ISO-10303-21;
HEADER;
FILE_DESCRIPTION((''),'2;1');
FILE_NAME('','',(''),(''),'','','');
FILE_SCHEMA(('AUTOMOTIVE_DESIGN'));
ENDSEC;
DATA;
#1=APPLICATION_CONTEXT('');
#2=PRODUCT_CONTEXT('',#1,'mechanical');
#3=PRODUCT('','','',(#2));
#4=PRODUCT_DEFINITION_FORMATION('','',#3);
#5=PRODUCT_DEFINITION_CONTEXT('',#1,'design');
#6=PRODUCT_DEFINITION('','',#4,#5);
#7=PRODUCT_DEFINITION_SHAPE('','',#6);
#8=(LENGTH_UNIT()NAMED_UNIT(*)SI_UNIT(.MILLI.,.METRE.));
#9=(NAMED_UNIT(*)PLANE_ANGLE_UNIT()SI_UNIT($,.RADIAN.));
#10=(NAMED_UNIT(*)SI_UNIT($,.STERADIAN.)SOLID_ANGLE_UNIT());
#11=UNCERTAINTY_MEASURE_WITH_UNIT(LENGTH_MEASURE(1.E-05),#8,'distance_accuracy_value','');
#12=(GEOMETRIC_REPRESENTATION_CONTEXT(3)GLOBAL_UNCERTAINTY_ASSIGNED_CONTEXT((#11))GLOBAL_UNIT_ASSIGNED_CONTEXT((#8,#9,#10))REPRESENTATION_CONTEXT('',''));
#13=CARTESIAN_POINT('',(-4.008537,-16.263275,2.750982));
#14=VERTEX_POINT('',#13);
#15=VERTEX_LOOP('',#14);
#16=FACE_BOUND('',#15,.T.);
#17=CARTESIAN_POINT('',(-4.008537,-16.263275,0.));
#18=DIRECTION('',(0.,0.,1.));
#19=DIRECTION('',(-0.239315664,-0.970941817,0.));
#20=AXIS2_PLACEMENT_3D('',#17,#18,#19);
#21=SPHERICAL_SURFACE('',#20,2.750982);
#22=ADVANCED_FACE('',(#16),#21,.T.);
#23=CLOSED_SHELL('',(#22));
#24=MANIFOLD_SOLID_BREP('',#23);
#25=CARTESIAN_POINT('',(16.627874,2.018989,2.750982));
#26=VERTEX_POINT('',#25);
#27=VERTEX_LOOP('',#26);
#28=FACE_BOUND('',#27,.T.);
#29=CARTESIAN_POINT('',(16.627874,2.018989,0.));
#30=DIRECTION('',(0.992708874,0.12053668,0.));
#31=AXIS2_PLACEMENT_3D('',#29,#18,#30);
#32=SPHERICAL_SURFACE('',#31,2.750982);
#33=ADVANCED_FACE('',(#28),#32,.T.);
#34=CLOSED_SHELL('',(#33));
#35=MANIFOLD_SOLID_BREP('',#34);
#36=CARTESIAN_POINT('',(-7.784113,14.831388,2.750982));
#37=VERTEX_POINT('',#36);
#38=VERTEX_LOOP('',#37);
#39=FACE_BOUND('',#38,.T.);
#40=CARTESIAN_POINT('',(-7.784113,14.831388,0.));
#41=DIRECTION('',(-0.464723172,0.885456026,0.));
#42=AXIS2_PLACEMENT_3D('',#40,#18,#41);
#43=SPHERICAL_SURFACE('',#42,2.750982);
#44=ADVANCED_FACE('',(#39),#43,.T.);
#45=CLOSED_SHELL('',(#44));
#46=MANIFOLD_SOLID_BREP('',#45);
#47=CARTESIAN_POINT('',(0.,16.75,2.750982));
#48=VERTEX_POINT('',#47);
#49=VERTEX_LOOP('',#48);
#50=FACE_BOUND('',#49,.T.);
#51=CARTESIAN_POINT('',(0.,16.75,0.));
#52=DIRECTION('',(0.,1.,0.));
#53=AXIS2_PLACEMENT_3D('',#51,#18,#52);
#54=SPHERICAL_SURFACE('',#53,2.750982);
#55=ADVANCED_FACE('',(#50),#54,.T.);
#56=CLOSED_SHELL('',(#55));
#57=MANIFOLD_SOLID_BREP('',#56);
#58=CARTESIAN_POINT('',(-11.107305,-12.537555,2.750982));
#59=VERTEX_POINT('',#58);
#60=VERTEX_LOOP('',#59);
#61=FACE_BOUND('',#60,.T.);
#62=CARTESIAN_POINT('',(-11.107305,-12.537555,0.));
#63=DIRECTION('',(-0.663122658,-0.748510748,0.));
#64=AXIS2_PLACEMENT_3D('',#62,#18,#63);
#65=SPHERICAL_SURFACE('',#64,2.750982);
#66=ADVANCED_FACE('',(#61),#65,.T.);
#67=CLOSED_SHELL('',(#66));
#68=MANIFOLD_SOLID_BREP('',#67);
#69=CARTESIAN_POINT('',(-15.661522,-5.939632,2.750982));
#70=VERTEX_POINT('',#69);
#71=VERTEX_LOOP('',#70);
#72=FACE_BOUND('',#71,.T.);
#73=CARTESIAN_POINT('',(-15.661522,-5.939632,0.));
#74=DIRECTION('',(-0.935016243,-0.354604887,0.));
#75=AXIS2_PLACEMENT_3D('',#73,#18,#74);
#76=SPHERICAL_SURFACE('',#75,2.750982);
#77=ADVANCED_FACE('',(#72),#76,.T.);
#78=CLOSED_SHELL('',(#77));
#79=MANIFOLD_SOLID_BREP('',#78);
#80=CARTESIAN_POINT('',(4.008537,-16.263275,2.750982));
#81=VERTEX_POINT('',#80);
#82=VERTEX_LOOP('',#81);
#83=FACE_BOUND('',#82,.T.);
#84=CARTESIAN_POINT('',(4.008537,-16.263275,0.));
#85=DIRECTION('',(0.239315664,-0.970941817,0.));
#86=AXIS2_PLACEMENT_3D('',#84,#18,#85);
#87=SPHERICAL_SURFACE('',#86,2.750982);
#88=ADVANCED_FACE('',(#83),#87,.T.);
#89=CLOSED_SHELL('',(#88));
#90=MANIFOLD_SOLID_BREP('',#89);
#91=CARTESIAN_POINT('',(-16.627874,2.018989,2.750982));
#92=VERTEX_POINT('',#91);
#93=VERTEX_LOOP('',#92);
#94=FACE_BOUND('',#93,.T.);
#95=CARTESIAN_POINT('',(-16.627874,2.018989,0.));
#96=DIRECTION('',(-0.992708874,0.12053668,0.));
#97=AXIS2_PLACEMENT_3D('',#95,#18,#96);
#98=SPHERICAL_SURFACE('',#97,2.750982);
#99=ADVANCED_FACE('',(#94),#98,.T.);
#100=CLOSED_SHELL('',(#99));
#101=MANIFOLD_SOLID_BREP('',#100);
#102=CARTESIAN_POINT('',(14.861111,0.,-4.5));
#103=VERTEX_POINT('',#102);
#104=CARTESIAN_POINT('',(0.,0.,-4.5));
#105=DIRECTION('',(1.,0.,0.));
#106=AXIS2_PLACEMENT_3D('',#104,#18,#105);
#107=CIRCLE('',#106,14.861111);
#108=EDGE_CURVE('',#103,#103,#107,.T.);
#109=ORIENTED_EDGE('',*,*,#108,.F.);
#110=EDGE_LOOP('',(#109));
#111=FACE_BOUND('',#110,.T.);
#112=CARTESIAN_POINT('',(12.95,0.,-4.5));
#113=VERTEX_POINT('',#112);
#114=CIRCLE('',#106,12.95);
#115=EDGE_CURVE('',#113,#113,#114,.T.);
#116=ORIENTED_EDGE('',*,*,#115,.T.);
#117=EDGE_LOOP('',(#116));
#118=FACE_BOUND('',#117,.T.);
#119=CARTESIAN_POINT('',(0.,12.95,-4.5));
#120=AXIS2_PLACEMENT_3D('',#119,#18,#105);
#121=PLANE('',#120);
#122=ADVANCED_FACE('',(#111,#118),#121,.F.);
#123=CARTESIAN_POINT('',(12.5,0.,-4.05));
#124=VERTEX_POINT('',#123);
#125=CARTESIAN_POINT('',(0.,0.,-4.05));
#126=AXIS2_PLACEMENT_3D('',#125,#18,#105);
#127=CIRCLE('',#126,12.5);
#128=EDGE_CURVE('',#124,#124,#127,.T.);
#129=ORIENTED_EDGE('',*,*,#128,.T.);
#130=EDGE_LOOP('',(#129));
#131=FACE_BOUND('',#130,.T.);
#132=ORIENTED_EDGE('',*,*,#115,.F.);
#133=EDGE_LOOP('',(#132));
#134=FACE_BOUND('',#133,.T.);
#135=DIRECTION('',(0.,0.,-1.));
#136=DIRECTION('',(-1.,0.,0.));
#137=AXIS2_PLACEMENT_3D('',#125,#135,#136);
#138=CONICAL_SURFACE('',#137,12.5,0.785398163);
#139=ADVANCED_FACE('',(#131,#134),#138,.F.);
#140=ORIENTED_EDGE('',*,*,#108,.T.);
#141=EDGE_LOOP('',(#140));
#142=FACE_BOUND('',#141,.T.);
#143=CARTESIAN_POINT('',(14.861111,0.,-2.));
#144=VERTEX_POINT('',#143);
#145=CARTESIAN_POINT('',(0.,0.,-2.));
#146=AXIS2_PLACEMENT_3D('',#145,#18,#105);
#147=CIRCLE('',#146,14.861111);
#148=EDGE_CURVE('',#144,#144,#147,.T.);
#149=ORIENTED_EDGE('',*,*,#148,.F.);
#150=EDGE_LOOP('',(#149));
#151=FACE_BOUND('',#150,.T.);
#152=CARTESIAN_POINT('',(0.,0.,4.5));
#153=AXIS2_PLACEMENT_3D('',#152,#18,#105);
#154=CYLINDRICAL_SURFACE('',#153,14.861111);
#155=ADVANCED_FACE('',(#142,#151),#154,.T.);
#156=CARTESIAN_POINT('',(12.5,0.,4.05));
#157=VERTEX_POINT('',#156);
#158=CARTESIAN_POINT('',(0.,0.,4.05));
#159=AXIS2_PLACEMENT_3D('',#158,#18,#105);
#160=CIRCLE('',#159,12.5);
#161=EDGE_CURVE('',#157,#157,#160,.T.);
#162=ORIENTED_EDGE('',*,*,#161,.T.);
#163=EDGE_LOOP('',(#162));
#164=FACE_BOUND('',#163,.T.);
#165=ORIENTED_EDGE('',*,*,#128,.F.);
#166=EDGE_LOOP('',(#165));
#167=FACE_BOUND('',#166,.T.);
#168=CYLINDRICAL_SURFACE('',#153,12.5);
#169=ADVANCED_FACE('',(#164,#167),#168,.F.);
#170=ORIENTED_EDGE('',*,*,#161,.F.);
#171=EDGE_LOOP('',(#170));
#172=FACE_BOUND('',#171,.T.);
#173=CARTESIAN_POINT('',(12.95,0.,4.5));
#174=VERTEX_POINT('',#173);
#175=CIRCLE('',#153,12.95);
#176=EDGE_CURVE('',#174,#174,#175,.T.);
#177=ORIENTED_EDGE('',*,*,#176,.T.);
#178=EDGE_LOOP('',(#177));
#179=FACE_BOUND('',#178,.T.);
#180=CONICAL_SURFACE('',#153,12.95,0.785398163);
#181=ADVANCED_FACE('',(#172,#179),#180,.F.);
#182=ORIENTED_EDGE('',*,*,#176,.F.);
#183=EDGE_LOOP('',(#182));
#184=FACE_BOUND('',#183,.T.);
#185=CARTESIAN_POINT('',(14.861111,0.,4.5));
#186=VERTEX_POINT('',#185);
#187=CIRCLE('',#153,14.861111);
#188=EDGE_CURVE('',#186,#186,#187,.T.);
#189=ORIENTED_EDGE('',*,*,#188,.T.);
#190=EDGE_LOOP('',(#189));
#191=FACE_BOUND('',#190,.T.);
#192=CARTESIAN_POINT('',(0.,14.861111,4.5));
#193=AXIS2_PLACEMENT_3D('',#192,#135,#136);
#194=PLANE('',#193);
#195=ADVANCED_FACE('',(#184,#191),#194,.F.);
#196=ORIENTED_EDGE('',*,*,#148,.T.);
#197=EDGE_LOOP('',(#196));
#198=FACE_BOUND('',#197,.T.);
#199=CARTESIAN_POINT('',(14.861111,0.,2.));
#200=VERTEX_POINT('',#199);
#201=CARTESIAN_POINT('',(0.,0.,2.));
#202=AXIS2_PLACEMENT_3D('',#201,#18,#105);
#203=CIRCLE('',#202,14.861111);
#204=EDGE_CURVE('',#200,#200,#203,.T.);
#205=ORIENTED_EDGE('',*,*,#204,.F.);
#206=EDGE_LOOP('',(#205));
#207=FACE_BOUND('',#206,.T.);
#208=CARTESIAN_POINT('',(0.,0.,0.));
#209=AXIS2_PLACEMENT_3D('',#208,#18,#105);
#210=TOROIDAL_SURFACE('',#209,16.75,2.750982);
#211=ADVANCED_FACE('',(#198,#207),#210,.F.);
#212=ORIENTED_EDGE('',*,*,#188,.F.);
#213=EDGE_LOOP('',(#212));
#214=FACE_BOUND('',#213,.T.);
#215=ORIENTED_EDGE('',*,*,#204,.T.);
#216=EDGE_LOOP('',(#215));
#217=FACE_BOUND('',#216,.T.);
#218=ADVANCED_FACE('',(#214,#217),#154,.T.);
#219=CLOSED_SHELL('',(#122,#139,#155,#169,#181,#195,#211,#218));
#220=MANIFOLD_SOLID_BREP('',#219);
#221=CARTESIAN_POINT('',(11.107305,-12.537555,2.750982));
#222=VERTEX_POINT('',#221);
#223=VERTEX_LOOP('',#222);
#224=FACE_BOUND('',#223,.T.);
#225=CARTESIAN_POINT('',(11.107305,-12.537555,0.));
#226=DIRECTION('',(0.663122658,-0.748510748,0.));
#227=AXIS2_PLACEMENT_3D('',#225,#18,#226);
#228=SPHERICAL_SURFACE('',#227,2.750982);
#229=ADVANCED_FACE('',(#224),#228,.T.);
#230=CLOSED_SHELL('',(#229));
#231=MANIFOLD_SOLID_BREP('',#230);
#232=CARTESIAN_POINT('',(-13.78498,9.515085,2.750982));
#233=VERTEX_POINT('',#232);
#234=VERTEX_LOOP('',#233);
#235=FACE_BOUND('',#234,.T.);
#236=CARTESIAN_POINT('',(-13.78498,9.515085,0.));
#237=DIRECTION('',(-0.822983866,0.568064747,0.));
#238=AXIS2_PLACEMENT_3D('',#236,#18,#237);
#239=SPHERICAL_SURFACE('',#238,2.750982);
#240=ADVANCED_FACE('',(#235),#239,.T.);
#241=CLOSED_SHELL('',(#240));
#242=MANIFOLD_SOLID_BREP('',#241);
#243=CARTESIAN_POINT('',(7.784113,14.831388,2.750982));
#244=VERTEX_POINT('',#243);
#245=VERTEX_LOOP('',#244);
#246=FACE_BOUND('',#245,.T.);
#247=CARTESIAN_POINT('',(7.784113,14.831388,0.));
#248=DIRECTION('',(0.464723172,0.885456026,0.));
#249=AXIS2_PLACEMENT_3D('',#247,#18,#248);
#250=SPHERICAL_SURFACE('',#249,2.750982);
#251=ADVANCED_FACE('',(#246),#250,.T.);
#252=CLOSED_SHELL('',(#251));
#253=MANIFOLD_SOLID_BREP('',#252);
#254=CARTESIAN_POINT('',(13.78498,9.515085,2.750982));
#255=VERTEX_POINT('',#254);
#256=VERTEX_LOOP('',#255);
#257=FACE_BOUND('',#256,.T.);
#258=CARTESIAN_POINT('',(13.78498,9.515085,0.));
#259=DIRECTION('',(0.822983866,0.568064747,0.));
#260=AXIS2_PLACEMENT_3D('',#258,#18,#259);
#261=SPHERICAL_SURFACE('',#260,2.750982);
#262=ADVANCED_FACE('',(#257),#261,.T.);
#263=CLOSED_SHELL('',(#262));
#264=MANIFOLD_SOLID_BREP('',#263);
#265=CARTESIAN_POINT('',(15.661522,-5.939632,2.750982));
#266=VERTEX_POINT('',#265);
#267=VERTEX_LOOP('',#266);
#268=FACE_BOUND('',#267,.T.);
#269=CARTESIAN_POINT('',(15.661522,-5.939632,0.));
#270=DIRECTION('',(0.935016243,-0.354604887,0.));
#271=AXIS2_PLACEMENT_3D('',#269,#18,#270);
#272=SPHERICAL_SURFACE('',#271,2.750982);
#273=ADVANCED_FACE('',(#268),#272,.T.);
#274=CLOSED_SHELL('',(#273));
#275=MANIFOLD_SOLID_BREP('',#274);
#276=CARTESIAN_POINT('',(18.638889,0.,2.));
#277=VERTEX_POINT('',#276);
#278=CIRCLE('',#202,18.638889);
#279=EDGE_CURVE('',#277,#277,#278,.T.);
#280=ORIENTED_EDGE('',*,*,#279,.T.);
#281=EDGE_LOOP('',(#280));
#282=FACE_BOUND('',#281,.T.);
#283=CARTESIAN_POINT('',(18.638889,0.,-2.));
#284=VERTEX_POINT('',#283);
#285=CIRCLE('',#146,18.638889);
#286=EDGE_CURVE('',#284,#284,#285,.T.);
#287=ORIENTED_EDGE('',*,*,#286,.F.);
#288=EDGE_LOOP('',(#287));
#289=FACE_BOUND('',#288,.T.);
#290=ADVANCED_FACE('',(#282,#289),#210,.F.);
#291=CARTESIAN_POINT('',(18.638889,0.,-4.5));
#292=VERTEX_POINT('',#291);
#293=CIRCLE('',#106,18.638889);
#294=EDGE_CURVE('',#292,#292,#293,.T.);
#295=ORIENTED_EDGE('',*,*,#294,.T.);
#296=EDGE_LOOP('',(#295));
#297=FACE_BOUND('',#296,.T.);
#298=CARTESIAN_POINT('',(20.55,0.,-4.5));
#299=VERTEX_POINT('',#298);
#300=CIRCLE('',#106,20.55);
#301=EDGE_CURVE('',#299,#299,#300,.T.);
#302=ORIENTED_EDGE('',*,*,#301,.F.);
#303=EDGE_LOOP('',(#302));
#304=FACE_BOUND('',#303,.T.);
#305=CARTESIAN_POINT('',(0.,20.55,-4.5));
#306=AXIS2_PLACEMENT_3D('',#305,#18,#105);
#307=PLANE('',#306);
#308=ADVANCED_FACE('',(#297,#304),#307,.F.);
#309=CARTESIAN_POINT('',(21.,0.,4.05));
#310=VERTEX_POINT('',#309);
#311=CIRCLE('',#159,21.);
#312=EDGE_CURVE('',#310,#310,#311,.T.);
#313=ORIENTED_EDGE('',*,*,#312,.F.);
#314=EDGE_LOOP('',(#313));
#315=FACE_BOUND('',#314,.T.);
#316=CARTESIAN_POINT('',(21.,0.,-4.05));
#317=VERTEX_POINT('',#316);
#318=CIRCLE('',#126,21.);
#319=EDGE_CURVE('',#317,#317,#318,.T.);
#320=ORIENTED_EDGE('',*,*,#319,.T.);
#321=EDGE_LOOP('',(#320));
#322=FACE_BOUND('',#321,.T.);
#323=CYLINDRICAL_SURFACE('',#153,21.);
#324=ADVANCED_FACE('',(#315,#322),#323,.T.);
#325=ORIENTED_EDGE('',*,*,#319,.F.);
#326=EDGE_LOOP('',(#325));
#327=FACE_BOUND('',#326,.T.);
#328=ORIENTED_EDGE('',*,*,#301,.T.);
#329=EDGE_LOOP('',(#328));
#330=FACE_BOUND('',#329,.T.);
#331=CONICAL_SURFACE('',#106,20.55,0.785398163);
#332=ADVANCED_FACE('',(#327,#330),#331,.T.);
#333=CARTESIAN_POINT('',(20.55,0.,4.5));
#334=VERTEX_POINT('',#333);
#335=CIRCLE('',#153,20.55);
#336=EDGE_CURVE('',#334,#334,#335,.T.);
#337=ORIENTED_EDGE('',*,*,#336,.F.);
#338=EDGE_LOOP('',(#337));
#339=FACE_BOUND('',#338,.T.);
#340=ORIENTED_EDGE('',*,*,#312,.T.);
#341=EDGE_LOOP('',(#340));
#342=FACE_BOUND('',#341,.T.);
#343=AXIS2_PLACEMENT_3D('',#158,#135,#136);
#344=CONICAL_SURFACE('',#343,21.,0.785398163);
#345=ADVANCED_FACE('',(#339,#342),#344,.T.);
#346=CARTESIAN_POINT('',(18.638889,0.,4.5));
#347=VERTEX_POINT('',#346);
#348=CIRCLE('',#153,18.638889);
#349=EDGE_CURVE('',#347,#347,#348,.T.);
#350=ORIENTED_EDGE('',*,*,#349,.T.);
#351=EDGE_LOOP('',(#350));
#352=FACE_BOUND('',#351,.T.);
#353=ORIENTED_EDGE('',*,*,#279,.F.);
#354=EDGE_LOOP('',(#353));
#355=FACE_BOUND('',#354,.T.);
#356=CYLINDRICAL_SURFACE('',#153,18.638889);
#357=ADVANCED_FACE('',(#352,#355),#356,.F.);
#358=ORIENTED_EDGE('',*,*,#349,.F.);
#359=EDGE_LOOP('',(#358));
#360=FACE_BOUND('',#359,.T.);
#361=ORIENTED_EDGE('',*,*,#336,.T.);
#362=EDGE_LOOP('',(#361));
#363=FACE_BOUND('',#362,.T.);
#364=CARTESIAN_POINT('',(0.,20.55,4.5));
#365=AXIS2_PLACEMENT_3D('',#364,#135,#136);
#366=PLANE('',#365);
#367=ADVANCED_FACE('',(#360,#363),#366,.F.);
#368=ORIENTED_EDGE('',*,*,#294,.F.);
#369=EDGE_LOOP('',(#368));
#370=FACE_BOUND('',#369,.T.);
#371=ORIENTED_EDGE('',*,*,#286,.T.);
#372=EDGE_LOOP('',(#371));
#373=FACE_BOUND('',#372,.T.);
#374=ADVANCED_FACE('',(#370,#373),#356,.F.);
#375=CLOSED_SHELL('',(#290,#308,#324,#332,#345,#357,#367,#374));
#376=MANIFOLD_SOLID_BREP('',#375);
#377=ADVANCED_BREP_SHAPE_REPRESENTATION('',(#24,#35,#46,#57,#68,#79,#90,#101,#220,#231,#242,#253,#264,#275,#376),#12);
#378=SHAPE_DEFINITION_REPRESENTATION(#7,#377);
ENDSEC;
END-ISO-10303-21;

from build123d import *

# Parameters (mm, degrees)
CIRPATTERN1_COUNT = 13


with BuildPart() as part:
    # Sketch5 → Revolve1 (revolve)
    with BuildSketch(Plane(origin=(0, 0, 0), x_dir=(0, 0, -1), z_dir=(1, 0, 0))):
        with BuildLine():
            Line((4.05, 21), (-4.05, 21))
            Line((-4.05, 21), (-4.5, 20.55))
            Line((-4.5, 20.55), (-4.5, 18.638888889))
            Line((-4.5, 18.638888889), (-2, 18.638888889))
            ThreePointArc((-2, 18.638888889), (0, 19.500981867), (2, 18.638888889))
            Line((2, 18.638888889), (4.5, 18.638888889))
            Line((4.5, 18.638888889), (4.5, 20.55))
            Line((4.5, 20.55), (4.05, 21))
        make_face()
    revolve(axis=Axis((0, 0, 4.5), (0, 0, -1)))


with BuildPart() as body_2:
    # Sketch3 → Revolve3 (revolve)
    with BuildSketch(Plane(origin=(0, 0, 0), x_dir=(0, 0, -1), z_dir=(1, 0, 0))):
        with BuildLine():
            Line((-4.5, 14.861111111), (-2, 14.861111111))
            ThreePointArc((-2, 14.861111111), (0, 13.999018133), (2, 14.861111111))
            Line((2, 14.861111111), (4.5, 14.861111111))
            Line((4.5, 14.861111111), (4.5, 12.95))
            Line((4.5, 12.95), (4.05, 12.5))
            Line((4.05, 12.5), (-4.05, 12.5))
            Line((-4.05, 12.5), (-4.5, 12.95))
            Line((-4.5, 12.95), (-4.5, 14.861111111))
        make_face()
    revolve(axis=Axis((0, 0, 4.5), (0, 0, -1)))


with BuildPart() as body_3:
    # Sketch4 → Revolve4 (revolve)
    with BuildSketch(Plane(origin=(0, 0, 0), x_dir=(0, 0, -1), z_dir=(1, 0, 0))):
        with BuildLine():
            Line((-2.750981867, 16.75), (2.750981867, 16.75))
            ThreePointArc((2.750981867, 16.75), (0, 19.500981867), (-2.750981867, 16.75))
        make_face()
    revolve(axis=Axis((0, 16.75, 2.750981867), (0, 0, -1)))


with BuildPart() as cirpattern1_1:
    # CirPattern1: pattern copy
    add(body_3.part.rotate(Axis((0, 0, 0), (0, 0, 1)), 1 * 360 / CIRPATTERN1_COUNT))


with BuildPart() as cirpattern1_2:
    # CirPattern1: pattern copy
    add(body_3.part.rotate(Axis((0, 0, 0), (0, 0, 1)), 2 * 360 / CIRPATTERN1_COUNT))


with BuildPart() as cirpattern1_3:
    # CirPattern1: pattern copy
    add(body_3.part.rotate(Axis((0, 0, 0), (0, 0, 1)), 3 * 360 / CIRPATTERN1_COUNT))


with BuildPart() as cirpattern1_4:
    # CirPattern1: pattern copy
    add(body_3.part.rotate(Axis((0, 0, 0), (0, 0, 1)), 4 * 360 / CIRPATTERN1_COUNT))


with BuildPart() as cirpattern1_5:
    # CirPattern1: pattern copy
    add(body_3.part.rotate(Axis((0, 0, 0), (0, 0, 1)), 5 * 360 / CIRPATTERN1_COUNT))


with BuildPart() as cirpattern1_6:
    # CirPattern1: pattern copy
    add(body_3.part.rotate(Axis((0, 0, 0), (0, 0, 1)), 6 * 360 / CIRPATTERN1_COUNT))


with BuildPart() as cirpattern1_7:
    # CirPattern1: pattern copy
    add(body_3.part.rotate(Axis((0, 0, 0), (0, 0, 1)), 7 * 360 / CIRPATTERN1_COUNT))


with BuildPart() as cirpattern1_8:
    # CirPattern1: pattern copy
    add(body_3.part.rotate(Axis((0, 0, 0), (0, 0, 1)), 8 * 360 / CIRPATTERN1_COUNT))


with BuildPart() as cirpattern1_9:
    # CirPattern1: pattern copy
    add(body_3.part.rotate(Axis((0, 0, 0), (0, 0, 1)), 9 * 360 / CIRPATTERN1_COUNT))


with BuildPart() as cirpattern1_10:
    # CirPattern1: pattern copy
    add(body_3.part.rotate(Axis((0, 0, 0), (0, 0, 1)), 10 * 360 / CIRPATTERN1_COUNT))


with BuildPart() as cirpattern1_11:
    # CirPattern1: pattern copy
    add(body_3.part.rotate(Axis((0, 0, 0), (0, 0, 1)), 11 * 360 / CIRPATTERN1_COUNT))


with BuildPart() as cirpattern1_12:
    # CirPattern1: pattern copy
    add(body_3.part.rotate(Axis((0, 0, 0), (0, 0, 1)), 12 * 360 / CIRPATTERN1_COUNT))


solid = Compound([part.part, body_2.part, body_3.part, cirpattern1_1.part, cirpattern1_2.part, cirpattern1_3.part, cirpattern1_4.part, cirpattern1_5.part, cirpattern1_6.part, cirpattern1_7.part, cirpattern1_8.part, cirpattern1_9.part, cirpattern1_10.part, cirpattern1_11.part, cirpattern1_12.part])
